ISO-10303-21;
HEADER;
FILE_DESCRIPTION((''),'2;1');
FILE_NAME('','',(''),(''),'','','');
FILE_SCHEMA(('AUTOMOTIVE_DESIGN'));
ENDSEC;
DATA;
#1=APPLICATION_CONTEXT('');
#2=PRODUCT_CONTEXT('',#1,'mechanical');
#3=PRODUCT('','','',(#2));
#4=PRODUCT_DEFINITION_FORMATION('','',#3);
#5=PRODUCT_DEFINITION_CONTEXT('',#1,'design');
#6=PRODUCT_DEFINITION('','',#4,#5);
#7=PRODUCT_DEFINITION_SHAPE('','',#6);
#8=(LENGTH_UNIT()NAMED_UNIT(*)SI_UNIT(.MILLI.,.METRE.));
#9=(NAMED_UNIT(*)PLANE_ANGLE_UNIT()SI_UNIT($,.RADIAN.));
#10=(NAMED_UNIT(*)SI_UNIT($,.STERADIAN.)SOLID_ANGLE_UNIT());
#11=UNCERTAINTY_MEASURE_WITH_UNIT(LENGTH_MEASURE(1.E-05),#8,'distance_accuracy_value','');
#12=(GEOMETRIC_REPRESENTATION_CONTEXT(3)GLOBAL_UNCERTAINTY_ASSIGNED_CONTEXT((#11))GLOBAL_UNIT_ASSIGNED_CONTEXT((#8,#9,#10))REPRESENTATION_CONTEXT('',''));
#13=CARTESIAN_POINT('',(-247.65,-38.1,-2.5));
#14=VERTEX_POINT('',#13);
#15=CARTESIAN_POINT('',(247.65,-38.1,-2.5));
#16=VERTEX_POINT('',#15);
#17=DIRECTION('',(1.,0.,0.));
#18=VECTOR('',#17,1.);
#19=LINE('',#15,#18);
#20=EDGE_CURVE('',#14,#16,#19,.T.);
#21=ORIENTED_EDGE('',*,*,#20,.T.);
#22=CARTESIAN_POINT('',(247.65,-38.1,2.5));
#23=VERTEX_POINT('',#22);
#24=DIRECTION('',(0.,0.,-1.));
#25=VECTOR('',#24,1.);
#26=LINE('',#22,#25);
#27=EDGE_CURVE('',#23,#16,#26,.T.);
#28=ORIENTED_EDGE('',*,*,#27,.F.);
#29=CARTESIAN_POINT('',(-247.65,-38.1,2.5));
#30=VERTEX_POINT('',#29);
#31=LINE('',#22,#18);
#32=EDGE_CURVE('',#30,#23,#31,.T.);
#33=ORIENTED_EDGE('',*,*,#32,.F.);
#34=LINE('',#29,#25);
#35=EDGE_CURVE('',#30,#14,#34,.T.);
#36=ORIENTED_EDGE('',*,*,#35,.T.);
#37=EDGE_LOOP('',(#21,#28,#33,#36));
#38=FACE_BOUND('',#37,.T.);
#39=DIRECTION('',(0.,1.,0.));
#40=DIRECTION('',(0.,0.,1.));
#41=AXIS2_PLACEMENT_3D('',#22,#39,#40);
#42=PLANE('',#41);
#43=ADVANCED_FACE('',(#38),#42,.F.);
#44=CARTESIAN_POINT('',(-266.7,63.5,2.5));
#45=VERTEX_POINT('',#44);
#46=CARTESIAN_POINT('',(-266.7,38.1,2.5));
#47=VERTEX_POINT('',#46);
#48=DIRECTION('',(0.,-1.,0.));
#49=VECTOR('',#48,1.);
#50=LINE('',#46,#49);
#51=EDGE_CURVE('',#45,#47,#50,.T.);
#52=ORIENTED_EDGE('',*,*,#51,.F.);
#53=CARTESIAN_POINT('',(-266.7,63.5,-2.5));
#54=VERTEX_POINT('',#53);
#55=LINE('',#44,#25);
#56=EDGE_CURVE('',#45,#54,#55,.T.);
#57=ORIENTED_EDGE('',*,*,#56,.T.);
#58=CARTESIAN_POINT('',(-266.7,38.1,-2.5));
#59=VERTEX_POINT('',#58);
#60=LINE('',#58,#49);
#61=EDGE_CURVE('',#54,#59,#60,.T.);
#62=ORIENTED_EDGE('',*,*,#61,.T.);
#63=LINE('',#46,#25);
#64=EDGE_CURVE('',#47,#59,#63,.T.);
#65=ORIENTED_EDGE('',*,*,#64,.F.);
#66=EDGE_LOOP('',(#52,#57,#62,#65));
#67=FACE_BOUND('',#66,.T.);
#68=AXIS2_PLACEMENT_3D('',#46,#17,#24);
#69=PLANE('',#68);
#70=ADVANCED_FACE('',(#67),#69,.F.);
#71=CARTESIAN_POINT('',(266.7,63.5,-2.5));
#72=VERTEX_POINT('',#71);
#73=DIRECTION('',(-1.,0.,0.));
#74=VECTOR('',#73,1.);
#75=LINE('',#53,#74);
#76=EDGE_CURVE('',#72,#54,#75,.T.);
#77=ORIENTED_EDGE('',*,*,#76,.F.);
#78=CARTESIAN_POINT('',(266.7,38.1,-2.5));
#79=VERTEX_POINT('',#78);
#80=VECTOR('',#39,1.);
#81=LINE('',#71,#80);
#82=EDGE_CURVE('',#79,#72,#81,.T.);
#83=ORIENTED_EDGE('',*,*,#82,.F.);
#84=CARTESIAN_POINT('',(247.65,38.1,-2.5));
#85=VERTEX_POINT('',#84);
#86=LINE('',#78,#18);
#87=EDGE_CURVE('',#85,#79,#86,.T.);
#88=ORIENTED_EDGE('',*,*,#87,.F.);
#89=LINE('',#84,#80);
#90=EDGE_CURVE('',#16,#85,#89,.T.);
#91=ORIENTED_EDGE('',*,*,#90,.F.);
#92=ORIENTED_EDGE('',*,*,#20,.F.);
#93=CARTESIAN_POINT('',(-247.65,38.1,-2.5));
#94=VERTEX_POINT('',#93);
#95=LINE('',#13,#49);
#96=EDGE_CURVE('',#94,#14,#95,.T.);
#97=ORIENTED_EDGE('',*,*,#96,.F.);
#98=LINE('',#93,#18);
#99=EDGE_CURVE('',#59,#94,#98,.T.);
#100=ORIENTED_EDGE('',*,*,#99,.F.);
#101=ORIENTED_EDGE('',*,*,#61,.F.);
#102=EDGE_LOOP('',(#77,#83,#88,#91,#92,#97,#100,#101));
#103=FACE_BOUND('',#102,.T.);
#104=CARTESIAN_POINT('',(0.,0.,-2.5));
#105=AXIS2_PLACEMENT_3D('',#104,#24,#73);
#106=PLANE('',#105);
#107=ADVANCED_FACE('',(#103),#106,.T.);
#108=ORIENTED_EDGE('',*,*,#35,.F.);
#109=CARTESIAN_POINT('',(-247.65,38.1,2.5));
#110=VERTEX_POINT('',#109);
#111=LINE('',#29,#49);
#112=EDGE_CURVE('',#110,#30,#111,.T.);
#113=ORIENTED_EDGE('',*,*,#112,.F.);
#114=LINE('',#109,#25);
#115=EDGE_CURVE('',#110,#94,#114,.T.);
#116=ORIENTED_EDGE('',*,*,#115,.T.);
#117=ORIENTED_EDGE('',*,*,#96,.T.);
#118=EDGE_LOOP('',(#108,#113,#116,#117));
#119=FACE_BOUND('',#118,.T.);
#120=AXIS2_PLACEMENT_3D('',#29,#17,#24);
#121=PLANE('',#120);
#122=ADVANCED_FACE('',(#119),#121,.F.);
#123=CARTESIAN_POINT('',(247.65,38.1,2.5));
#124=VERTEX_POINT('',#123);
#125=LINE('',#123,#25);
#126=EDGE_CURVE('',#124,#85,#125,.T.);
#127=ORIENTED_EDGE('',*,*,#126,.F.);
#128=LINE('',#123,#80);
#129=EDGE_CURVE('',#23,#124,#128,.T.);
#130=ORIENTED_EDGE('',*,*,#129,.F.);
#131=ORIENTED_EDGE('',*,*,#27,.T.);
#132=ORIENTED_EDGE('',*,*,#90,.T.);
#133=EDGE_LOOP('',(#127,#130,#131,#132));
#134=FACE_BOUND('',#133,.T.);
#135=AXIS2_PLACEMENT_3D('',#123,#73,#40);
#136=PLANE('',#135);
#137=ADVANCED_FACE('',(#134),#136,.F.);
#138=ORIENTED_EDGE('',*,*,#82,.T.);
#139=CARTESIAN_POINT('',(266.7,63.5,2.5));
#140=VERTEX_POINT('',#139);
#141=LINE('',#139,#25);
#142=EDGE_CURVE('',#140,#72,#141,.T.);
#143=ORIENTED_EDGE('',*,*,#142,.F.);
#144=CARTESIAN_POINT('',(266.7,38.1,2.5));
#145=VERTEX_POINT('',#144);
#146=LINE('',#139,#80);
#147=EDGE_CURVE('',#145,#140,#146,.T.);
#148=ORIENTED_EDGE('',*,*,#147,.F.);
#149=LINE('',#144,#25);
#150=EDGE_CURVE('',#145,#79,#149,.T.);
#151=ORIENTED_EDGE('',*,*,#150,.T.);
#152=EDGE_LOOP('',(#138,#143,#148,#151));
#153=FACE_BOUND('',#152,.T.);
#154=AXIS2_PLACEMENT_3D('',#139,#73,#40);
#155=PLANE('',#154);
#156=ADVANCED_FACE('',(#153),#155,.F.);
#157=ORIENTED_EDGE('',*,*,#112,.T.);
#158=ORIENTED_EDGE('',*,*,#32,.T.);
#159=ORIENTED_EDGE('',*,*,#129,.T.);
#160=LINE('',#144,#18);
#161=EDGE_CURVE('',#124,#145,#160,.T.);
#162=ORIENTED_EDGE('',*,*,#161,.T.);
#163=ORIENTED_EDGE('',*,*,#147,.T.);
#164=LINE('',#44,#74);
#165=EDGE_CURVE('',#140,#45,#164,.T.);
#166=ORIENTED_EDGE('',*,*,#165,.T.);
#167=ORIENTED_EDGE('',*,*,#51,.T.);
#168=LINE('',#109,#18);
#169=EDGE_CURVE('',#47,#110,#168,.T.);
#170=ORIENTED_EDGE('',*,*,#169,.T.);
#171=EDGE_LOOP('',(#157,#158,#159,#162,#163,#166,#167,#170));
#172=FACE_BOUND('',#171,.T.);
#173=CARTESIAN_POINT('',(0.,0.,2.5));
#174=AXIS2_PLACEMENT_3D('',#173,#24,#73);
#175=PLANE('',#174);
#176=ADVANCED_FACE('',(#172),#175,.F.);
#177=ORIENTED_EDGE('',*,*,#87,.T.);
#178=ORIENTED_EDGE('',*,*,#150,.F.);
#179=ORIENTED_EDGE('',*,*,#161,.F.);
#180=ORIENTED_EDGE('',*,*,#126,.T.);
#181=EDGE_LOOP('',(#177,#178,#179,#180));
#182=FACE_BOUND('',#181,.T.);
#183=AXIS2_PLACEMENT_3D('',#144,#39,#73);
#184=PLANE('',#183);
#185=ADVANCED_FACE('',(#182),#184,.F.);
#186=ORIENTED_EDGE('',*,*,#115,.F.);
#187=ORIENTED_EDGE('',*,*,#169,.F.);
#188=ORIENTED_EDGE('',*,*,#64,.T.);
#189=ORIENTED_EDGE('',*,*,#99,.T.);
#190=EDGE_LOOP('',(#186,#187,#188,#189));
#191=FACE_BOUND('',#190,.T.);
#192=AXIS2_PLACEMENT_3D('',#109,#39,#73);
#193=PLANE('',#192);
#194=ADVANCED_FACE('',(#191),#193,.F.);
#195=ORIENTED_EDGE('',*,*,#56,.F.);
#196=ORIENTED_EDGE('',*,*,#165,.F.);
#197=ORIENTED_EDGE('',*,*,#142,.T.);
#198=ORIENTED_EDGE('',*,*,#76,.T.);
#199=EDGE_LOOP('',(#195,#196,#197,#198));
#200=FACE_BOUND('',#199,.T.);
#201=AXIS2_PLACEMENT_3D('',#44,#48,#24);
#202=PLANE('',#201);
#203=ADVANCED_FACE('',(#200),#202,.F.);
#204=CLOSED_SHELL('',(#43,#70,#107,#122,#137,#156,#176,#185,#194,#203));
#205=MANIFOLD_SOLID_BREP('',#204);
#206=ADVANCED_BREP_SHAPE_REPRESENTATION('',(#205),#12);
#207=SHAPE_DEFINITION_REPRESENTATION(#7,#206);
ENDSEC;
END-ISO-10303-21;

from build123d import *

# Parameters (mm, degrees)
BOSS_EXTRUDE1_DEPTH = 2.5


with BuildPart() as part:
    # Sketch1 → Boss-Extrude1 (new, symmetric)
    with BuildSketch(Plane.XY):
        Polygon((-266.7, 63.5), (266.7, 63.5), (266.7, 38.1), (247.65, 38.1), (247.65, -38.1), (-247.65, -38.1), (-247.65, 38.1), (-266.7, 38.1), align=None)
    extrude(amount=BOSS_EXTRUDE1_DEPTH, both=True)


solid = part.part
